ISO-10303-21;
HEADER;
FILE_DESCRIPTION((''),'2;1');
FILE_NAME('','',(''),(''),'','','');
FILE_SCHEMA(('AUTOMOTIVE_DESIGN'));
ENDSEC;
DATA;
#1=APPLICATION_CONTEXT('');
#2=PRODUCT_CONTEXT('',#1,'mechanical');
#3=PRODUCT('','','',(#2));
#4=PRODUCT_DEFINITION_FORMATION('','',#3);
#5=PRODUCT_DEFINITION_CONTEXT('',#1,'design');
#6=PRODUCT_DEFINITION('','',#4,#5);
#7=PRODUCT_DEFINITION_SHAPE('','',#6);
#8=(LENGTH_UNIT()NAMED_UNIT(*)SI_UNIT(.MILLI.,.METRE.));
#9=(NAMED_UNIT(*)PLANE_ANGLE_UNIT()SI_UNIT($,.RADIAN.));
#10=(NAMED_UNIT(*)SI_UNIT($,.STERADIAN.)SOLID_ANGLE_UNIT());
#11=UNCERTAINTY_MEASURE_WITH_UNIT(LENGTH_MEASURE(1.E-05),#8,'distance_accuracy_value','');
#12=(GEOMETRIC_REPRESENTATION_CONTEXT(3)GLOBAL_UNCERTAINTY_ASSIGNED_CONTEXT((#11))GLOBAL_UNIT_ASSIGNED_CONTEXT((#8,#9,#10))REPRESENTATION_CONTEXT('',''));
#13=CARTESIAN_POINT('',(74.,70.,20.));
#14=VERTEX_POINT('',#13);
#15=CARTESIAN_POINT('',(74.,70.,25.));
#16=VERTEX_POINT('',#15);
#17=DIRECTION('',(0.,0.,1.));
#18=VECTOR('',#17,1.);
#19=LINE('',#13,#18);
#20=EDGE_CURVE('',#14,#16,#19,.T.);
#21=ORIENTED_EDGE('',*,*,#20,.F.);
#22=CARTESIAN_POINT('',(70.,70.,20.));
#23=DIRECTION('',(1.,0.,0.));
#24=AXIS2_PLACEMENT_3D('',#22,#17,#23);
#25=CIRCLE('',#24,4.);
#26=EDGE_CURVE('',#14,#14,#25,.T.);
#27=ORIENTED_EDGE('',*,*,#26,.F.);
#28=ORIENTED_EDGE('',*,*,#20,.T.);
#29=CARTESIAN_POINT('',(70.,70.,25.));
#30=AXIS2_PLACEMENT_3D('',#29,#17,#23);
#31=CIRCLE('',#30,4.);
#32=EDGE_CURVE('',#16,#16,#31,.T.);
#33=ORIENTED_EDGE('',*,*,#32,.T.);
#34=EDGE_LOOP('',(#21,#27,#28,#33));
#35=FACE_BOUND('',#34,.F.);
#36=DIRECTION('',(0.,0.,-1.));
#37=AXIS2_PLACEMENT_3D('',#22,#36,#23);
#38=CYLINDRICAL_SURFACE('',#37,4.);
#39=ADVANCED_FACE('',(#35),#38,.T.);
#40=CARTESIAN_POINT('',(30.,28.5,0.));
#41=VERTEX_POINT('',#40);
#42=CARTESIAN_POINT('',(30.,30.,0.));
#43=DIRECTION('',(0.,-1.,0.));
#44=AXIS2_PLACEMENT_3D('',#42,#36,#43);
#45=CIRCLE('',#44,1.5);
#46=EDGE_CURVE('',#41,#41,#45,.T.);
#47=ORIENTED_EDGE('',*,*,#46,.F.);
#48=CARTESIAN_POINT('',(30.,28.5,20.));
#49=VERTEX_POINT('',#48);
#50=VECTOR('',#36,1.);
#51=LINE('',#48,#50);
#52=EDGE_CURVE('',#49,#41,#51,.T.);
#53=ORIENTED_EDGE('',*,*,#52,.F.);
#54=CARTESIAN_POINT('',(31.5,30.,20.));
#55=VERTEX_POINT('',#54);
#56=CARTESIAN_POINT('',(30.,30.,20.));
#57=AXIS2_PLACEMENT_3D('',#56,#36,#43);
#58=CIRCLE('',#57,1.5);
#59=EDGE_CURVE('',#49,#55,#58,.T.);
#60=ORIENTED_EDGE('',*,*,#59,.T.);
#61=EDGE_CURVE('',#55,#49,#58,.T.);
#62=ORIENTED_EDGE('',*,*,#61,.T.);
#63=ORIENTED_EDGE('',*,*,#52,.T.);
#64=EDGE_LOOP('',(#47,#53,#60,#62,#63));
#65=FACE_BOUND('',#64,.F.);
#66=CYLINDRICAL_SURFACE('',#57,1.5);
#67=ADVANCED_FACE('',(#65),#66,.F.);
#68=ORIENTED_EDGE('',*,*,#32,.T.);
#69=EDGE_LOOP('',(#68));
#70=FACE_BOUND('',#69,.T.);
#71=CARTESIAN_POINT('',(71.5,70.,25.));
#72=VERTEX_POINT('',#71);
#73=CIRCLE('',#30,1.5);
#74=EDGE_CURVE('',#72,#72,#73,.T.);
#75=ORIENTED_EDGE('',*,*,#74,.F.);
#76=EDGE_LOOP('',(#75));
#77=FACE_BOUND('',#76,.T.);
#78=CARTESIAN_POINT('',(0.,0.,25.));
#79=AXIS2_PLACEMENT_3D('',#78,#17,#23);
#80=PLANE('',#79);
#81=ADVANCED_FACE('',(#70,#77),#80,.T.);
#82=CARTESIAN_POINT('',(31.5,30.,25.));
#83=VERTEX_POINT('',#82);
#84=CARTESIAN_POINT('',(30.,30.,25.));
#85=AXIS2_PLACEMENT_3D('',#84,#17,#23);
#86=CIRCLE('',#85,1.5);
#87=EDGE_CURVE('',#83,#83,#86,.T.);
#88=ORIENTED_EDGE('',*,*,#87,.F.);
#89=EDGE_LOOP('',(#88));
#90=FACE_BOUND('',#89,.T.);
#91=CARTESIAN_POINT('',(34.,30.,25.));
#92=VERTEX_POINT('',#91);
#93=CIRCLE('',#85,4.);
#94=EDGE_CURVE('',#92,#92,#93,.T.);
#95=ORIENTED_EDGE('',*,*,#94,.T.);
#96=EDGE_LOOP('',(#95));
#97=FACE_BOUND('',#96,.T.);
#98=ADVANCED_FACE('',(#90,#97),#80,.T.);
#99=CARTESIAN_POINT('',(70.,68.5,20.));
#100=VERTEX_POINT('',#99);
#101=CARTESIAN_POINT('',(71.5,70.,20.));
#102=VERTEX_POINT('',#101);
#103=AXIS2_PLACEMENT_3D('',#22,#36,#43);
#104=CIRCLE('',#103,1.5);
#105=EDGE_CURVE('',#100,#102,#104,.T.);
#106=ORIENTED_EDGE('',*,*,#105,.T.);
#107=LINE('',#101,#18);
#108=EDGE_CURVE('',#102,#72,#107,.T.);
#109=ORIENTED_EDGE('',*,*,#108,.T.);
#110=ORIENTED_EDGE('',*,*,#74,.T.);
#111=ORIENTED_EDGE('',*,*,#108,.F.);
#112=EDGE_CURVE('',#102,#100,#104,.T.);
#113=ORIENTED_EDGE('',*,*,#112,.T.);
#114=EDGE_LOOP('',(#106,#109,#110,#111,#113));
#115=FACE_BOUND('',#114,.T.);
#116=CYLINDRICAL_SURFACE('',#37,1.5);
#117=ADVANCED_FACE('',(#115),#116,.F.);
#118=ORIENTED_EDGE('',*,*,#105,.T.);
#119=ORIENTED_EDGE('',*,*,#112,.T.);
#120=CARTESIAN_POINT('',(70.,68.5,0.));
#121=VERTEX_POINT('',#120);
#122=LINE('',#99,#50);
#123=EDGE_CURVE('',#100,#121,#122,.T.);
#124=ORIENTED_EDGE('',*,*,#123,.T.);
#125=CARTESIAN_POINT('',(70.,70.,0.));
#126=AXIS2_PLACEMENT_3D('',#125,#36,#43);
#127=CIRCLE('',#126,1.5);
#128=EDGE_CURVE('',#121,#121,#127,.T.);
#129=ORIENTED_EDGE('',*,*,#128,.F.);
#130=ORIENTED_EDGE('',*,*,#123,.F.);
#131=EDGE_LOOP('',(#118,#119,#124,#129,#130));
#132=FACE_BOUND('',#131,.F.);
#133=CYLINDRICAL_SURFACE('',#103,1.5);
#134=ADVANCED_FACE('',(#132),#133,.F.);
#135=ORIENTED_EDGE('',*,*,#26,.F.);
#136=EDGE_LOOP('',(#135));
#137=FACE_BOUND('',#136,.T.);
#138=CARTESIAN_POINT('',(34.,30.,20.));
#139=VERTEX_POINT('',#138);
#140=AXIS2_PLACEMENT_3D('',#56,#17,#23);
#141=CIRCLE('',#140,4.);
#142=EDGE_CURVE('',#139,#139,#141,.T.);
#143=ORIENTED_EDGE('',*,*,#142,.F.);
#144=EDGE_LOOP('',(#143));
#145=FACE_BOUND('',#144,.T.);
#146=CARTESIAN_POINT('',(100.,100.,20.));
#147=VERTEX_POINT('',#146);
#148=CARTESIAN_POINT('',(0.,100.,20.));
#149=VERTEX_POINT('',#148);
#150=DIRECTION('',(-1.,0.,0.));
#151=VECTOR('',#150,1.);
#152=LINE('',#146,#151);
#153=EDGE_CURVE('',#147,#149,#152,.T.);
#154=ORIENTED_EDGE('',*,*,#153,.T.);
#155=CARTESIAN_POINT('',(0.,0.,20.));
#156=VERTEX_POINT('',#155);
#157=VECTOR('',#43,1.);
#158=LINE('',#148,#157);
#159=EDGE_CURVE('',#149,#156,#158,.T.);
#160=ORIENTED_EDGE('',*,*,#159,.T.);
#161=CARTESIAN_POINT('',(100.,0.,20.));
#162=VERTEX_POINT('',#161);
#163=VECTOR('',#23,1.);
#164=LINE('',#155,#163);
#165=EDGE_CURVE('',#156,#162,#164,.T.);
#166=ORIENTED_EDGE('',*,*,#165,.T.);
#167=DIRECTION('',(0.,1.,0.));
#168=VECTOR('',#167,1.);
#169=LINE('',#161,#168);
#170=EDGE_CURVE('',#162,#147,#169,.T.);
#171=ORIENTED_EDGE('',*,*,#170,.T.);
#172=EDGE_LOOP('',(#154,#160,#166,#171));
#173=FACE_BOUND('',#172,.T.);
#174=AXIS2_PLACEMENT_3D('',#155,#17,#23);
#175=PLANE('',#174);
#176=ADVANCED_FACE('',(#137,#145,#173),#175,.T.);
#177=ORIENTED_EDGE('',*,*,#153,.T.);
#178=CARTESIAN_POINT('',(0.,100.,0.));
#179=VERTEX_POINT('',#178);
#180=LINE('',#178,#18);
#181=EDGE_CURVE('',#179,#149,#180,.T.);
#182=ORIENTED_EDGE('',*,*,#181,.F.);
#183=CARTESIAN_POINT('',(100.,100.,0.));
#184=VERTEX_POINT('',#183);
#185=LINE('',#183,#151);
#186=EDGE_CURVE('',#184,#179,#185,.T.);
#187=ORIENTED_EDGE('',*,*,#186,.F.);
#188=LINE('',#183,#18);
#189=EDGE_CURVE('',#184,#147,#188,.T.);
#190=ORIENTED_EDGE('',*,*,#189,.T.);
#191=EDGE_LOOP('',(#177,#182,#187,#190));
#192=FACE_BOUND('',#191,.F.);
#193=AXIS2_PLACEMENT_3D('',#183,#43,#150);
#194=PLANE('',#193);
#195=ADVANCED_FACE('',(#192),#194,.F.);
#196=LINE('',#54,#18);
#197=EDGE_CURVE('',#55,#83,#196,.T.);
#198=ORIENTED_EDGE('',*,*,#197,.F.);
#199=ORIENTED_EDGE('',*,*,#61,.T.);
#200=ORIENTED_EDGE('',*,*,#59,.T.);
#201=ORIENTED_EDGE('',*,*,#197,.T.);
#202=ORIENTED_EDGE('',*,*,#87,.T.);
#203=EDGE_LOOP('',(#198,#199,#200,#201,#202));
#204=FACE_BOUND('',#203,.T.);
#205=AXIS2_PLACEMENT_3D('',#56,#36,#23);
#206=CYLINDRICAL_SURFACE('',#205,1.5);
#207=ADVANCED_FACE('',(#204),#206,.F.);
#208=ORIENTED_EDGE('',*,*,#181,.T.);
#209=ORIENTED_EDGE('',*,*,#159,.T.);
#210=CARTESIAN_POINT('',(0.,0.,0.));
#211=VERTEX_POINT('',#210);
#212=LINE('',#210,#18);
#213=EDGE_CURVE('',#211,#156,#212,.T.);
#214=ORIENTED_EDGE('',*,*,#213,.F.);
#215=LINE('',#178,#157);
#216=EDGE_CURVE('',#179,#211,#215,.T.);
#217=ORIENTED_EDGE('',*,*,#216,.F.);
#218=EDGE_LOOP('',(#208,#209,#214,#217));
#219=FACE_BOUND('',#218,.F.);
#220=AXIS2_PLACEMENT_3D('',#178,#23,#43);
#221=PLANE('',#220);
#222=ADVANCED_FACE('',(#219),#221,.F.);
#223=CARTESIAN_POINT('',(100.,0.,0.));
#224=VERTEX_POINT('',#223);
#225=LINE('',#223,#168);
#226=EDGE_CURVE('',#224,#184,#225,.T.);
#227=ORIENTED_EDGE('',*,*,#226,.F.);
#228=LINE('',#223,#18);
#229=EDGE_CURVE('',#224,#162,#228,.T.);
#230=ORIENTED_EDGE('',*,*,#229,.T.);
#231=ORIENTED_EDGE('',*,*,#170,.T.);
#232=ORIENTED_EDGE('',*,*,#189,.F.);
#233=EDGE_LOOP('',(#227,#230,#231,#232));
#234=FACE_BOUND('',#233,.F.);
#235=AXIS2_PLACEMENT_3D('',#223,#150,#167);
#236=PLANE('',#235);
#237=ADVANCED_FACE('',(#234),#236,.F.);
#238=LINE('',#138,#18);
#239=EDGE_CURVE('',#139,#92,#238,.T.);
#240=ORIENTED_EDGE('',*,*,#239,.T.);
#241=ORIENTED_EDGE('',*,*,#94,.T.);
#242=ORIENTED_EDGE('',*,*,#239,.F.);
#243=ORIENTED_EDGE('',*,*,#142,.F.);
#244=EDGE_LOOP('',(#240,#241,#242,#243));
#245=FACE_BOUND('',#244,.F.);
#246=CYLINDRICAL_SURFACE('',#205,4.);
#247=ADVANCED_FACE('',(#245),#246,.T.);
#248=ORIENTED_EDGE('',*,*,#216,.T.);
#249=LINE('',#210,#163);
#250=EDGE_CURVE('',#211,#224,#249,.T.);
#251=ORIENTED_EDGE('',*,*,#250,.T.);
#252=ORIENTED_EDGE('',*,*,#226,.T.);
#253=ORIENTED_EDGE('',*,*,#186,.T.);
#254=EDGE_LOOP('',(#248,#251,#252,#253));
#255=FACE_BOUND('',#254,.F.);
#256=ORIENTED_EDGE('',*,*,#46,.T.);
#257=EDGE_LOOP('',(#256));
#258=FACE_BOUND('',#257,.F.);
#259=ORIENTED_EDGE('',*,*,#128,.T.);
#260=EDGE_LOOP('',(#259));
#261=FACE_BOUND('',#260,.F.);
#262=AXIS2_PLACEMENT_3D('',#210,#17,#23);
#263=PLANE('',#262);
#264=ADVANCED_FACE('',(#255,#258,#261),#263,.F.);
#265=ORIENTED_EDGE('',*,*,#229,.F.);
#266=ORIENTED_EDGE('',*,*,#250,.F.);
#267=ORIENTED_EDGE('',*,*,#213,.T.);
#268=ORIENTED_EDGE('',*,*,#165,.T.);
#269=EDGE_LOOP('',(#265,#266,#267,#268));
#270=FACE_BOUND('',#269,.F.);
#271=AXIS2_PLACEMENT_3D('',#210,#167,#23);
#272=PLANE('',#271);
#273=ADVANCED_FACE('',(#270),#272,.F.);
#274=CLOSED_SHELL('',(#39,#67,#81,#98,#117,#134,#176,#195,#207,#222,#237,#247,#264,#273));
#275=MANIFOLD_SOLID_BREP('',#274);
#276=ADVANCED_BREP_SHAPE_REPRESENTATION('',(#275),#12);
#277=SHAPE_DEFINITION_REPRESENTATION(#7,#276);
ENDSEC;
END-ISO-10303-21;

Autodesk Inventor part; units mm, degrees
ref_plane "YZ Plane" through (0, 0, 0) normal (1, 0, 0) x (0, 1, 0)
ref_plane "XZ Plane" through (0, 0, 0) normal (0, 1, 0) x (-1, 0, 0)
ref_plane "XY Plane" through (0, 0, 0) normal (0, 0, 1) x (1, 0, 0)
sketch "Skizze1" plane through (0, 0, 0) normal (0, 0, 1) x (1, 0, 0)
  line L0 (0, 0) -> (100, 0)
  line L1 (100, 0) -> (100, 100)
  line L2 (100, 100) -> (0, 100)
  line L3 (0, 100) -> (0, 0)
  dimension "d0" = 100
  dimension "d1" = 100
extrude "Extrusion1" add sketch "Skizze1" along normal blind 20
sketch "Skizze2" plane through (0, 0, 20) normal (0, 0, 1) x (1, 0, 0)
  line L0 (0, 0) -> (100, 0) projected
  line L1 (0, 100) -> (0, 0) projected
  line L2 (100, 100) -> (0, 100) projected
  line L3 (100, 0) -> (100, 100) projected
  point P0 (30, 30)
  point P1 (70, 70)
  dimension "d4" = 30
  dimension "d5" = 30
  dimension "d6" = 30
  dimension "d7" = 30
hole "Bohrung1" at (30, 30, 20) at (70, 70, 20) direction (0, 0, -1) diameter 3 end through all
sketch "Skizze3" plane through (0, 0, 20) normal (0, 0, 1) x (1, 0, 0)
  circle A0 centre (30, 30) radius 1.5
  circle A1 centre (30, 30) radius 4
  circle A2 centre (30, 30) radius 1.5 projected
  point P0 (0, 0)
  dimension "d15" = 3
  dimension "d16" = 8
extrude "Extrusion2" add sketch "Skizze3" along normal blind 5
sketch "Skizze4" plane through (0, 0, 20) normal (0, 0, 1) x (1, 0, 0)
  circle A0 centre (70, 70) radius 4
  circle A1 centre (70, 70) radius 1.5
  circle A2 centre (70, 70) radius 1.5 projected
  circle A3 centre (70, 70) radius 1.5 projected
  point P0 (0, 0)
  dimension "d19" = 3
  dimension "d20" = 8
extrude "Extrusion3" add sketch "Skizze4" along normal blind 5
properties part number "platine"
